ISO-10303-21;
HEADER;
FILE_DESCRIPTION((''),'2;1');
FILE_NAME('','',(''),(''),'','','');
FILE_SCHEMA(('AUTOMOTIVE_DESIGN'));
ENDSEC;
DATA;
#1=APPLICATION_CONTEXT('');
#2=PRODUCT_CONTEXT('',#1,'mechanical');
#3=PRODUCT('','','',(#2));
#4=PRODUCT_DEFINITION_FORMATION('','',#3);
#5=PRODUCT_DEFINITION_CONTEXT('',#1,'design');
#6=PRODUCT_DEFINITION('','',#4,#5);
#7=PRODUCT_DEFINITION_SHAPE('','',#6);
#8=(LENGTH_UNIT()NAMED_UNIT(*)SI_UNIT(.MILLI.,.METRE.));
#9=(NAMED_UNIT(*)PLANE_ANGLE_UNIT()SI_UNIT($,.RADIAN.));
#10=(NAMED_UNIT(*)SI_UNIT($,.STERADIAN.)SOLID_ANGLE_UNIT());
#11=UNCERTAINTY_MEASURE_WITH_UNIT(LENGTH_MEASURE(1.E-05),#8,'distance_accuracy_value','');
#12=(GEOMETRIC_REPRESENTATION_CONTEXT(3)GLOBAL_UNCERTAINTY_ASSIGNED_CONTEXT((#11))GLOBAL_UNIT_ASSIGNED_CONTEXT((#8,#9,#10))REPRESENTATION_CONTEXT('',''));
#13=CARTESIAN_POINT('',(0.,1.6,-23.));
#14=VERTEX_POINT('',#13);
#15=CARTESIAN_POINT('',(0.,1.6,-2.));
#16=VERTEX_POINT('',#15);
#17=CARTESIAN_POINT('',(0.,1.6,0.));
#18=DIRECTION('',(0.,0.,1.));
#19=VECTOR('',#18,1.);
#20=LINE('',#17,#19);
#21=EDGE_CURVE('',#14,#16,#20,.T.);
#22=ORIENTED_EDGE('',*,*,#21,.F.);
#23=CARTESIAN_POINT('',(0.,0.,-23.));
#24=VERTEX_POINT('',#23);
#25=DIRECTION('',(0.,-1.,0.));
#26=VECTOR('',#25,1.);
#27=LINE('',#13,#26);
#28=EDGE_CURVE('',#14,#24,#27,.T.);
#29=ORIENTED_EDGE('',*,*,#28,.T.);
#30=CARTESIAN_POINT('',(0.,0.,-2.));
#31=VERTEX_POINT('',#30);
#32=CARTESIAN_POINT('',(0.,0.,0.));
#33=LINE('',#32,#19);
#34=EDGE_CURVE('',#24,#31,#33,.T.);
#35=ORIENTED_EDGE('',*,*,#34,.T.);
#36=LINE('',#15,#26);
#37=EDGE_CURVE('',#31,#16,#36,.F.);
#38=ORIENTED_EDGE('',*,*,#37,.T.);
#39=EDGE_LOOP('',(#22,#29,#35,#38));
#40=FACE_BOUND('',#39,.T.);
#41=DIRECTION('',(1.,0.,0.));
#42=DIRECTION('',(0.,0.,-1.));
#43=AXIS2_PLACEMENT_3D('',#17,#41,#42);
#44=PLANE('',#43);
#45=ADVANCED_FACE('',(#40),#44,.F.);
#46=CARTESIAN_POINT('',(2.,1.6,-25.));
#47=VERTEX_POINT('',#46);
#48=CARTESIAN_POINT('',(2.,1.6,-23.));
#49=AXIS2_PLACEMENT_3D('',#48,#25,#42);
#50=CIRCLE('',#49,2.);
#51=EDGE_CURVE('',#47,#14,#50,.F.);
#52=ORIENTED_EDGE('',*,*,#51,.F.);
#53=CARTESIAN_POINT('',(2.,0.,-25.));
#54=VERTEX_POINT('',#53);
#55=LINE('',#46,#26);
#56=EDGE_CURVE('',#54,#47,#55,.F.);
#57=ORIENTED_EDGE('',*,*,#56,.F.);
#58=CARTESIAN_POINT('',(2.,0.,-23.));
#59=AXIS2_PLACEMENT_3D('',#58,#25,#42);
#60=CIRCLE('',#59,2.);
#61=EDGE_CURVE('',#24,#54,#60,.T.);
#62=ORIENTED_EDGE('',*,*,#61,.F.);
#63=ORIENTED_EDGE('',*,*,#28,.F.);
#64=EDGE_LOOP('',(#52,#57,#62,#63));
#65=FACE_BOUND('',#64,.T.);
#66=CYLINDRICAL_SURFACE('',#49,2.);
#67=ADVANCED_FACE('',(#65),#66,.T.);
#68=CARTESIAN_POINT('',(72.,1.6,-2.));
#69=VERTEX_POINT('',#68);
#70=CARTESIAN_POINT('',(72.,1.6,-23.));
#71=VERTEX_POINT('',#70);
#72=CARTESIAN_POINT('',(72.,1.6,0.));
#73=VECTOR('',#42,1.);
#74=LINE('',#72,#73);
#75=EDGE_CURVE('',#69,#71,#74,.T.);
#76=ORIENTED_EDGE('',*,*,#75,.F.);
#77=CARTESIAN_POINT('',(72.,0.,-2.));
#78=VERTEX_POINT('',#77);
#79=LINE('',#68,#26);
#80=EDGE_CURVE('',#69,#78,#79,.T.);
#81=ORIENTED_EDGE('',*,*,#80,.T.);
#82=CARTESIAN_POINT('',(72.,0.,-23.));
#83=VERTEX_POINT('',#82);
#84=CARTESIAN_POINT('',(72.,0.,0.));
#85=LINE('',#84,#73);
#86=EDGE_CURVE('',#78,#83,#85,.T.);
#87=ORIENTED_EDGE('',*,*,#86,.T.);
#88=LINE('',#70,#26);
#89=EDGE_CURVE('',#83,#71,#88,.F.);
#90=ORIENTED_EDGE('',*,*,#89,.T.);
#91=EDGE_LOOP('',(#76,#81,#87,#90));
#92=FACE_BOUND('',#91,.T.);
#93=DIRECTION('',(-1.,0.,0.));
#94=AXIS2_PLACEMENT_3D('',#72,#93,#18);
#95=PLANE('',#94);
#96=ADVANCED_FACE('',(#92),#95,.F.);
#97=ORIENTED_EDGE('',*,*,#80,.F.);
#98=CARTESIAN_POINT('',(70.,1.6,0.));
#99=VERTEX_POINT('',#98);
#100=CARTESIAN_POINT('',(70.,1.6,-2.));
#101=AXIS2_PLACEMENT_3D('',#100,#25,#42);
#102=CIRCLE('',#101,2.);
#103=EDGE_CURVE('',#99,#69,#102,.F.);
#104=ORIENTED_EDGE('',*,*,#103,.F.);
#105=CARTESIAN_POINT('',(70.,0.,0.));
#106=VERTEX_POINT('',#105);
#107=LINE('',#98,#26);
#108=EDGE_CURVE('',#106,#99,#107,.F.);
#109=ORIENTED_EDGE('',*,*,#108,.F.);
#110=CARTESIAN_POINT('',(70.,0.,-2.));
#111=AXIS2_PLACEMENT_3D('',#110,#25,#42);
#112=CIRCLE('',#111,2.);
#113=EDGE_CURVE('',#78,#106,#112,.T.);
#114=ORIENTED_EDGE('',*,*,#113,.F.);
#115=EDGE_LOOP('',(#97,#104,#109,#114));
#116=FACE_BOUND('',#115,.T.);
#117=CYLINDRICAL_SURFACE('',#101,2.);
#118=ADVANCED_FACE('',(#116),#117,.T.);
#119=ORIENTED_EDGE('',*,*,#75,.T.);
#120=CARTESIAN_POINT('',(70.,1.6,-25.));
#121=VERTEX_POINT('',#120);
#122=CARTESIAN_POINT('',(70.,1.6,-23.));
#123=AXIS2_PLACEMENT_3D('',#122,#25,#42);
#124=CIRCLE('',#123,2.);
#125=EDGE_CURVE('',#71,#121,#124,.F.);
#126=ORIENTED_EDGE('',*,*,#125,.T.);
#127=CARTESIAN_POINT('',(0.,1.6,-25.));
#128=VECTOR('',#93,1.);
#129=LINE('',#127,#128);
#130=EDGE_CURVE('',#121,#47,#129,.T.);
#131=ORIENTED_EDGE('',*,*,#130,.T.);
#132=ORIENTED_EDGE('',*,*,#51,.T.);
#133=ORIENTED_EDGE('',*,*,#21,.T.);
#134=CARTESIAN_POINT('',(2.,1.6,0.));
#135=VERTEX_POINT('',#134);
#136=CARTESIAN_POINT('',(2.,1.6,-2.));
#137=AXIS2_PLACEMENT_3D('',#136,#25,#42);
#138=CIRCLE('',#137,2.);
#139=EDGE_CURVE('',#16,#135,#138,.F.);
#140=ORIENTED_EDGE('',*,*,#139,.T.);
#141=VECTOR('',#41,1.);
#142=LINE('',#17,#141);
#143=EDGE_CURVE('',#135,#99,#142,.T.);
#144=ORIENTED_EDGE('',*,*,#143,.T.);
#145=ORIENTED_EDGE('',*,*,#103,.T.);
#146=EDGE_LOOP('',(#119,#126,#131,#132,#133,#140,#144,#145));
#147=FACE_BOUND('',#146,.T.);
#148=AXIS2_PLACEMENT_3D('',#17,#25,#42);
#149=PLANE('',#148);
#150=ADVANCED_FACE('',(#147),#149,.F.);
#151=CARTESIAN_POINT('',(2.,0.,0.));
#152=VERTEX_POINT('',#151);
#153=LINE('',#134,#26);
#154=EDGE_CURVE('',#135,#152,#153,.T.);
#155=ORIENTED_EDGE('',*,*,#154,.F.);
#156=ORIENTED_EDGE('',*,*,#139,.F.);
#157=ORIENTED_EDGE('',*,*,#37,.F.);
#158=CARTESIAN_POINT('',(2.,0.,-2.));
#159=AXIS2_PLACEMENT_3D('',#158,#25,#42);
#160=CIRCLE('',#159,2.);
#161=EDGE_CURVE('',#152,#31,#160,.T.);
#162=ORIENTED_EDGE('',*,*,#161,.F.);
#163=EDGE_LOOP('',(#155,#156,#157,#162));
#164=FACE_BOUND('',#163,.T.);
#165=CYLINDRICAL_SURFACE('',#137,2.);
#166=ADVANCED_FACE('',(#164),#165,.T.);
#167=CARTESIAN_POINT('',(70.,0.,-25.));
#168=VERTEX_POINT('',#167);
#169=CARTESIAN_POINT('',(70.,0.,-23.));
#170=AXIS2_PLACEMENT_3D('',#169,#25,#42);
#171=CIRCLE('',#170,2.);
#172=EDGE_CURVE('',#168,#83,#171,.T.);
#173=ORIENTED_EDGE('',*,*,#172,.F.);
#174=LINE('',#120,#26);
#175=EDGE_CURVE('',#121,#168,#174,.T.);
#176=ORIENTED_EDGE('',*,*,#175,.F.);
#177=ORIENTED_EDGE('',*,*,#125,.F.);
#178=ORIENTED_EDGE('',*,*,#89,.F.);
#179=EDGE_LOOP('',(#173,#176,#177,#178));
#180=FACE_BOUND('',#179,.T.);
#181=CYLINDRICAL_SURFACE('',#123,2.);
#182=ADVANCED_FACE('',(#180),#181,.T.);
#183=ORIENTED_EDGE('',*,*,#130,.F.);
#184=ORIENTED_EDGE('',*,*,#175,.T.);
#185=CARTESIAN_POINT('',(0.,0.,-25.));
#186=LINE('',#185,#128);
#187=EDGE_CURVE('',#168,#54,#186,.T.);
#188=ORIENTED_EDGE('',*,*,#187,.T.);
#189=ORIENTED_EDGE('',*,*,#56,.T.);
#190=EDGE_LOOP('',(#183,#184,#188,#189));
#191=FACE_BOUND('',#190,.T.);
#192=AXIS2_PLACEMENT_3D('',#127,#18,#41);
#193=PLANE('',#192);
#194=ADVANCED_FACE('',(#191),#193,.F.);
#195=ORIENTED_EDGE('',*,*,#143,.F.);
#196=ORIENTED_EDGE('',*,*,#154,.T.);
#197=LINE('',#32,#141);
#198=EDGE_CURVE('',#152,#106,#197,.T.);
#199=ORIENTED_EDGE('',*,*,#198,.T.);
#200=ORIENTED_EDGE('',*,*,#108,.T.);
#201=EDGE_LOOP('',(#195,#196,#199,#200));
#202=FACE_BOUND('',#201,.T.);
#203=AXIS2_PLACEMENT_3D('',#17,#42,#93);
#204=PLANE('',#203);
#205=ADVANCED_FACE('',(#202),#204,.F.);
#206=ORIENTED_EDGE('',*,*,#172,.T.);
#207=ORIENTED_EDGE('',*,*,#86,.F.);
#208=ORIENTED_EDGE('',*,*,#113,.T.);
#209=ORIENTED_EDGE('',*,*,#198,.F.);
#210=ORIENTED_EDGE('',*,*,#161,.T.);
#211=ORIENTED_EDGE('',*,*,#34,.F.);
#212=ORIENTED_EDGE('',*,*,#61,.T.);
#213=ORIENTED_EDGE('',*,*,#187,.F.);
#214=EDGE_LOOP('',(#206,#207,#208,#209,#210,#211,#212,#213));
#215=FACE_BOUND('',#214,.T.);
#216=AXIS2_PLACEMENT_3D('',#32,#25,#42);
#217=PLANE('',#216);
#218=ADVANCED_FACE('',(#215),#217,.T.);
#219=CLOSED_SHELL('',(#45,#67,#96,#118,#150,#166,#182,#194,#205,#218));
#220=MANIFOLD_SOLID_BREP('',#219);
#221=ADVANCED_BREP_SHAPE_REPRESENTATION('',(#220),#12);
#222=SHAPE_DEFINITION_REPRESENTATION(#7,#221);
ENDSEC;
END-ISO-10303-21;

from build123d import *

# Parameters (mm, degrees)
SKETCH1_W           = 72
SKETCH1_H           = 25
BOSS_EXTRUDE1_DEPTH = 1.6
FILLET1_R           = 2


with BuildPart() as part:
    # Sketch1 → Boss-Extrude1 (new body)
    with BuildSketch(Plane(origin=(0, 0, 0), x_dir=(1, 0, 0), z_dir=(0, 1, 0))):
        with Locations((36, 12.5)):
            Rectangle(SKETCH1_W, SKETCH1_H)
    extrude(amount=BOSS_EXTRUDE1_DEPTH)

    # Fillet1
    fillet1_edges = [part.edges().sort_by_distance(p)[0] for p in [
        (0, 0.8, -25),
        (72, 0.8, -25),
        (72, 0.8, 0),
        (0, 0.8, 0),
    ]]
    fillet(fillet1_edges, radius=FILLET1_R)


solid = part.part
